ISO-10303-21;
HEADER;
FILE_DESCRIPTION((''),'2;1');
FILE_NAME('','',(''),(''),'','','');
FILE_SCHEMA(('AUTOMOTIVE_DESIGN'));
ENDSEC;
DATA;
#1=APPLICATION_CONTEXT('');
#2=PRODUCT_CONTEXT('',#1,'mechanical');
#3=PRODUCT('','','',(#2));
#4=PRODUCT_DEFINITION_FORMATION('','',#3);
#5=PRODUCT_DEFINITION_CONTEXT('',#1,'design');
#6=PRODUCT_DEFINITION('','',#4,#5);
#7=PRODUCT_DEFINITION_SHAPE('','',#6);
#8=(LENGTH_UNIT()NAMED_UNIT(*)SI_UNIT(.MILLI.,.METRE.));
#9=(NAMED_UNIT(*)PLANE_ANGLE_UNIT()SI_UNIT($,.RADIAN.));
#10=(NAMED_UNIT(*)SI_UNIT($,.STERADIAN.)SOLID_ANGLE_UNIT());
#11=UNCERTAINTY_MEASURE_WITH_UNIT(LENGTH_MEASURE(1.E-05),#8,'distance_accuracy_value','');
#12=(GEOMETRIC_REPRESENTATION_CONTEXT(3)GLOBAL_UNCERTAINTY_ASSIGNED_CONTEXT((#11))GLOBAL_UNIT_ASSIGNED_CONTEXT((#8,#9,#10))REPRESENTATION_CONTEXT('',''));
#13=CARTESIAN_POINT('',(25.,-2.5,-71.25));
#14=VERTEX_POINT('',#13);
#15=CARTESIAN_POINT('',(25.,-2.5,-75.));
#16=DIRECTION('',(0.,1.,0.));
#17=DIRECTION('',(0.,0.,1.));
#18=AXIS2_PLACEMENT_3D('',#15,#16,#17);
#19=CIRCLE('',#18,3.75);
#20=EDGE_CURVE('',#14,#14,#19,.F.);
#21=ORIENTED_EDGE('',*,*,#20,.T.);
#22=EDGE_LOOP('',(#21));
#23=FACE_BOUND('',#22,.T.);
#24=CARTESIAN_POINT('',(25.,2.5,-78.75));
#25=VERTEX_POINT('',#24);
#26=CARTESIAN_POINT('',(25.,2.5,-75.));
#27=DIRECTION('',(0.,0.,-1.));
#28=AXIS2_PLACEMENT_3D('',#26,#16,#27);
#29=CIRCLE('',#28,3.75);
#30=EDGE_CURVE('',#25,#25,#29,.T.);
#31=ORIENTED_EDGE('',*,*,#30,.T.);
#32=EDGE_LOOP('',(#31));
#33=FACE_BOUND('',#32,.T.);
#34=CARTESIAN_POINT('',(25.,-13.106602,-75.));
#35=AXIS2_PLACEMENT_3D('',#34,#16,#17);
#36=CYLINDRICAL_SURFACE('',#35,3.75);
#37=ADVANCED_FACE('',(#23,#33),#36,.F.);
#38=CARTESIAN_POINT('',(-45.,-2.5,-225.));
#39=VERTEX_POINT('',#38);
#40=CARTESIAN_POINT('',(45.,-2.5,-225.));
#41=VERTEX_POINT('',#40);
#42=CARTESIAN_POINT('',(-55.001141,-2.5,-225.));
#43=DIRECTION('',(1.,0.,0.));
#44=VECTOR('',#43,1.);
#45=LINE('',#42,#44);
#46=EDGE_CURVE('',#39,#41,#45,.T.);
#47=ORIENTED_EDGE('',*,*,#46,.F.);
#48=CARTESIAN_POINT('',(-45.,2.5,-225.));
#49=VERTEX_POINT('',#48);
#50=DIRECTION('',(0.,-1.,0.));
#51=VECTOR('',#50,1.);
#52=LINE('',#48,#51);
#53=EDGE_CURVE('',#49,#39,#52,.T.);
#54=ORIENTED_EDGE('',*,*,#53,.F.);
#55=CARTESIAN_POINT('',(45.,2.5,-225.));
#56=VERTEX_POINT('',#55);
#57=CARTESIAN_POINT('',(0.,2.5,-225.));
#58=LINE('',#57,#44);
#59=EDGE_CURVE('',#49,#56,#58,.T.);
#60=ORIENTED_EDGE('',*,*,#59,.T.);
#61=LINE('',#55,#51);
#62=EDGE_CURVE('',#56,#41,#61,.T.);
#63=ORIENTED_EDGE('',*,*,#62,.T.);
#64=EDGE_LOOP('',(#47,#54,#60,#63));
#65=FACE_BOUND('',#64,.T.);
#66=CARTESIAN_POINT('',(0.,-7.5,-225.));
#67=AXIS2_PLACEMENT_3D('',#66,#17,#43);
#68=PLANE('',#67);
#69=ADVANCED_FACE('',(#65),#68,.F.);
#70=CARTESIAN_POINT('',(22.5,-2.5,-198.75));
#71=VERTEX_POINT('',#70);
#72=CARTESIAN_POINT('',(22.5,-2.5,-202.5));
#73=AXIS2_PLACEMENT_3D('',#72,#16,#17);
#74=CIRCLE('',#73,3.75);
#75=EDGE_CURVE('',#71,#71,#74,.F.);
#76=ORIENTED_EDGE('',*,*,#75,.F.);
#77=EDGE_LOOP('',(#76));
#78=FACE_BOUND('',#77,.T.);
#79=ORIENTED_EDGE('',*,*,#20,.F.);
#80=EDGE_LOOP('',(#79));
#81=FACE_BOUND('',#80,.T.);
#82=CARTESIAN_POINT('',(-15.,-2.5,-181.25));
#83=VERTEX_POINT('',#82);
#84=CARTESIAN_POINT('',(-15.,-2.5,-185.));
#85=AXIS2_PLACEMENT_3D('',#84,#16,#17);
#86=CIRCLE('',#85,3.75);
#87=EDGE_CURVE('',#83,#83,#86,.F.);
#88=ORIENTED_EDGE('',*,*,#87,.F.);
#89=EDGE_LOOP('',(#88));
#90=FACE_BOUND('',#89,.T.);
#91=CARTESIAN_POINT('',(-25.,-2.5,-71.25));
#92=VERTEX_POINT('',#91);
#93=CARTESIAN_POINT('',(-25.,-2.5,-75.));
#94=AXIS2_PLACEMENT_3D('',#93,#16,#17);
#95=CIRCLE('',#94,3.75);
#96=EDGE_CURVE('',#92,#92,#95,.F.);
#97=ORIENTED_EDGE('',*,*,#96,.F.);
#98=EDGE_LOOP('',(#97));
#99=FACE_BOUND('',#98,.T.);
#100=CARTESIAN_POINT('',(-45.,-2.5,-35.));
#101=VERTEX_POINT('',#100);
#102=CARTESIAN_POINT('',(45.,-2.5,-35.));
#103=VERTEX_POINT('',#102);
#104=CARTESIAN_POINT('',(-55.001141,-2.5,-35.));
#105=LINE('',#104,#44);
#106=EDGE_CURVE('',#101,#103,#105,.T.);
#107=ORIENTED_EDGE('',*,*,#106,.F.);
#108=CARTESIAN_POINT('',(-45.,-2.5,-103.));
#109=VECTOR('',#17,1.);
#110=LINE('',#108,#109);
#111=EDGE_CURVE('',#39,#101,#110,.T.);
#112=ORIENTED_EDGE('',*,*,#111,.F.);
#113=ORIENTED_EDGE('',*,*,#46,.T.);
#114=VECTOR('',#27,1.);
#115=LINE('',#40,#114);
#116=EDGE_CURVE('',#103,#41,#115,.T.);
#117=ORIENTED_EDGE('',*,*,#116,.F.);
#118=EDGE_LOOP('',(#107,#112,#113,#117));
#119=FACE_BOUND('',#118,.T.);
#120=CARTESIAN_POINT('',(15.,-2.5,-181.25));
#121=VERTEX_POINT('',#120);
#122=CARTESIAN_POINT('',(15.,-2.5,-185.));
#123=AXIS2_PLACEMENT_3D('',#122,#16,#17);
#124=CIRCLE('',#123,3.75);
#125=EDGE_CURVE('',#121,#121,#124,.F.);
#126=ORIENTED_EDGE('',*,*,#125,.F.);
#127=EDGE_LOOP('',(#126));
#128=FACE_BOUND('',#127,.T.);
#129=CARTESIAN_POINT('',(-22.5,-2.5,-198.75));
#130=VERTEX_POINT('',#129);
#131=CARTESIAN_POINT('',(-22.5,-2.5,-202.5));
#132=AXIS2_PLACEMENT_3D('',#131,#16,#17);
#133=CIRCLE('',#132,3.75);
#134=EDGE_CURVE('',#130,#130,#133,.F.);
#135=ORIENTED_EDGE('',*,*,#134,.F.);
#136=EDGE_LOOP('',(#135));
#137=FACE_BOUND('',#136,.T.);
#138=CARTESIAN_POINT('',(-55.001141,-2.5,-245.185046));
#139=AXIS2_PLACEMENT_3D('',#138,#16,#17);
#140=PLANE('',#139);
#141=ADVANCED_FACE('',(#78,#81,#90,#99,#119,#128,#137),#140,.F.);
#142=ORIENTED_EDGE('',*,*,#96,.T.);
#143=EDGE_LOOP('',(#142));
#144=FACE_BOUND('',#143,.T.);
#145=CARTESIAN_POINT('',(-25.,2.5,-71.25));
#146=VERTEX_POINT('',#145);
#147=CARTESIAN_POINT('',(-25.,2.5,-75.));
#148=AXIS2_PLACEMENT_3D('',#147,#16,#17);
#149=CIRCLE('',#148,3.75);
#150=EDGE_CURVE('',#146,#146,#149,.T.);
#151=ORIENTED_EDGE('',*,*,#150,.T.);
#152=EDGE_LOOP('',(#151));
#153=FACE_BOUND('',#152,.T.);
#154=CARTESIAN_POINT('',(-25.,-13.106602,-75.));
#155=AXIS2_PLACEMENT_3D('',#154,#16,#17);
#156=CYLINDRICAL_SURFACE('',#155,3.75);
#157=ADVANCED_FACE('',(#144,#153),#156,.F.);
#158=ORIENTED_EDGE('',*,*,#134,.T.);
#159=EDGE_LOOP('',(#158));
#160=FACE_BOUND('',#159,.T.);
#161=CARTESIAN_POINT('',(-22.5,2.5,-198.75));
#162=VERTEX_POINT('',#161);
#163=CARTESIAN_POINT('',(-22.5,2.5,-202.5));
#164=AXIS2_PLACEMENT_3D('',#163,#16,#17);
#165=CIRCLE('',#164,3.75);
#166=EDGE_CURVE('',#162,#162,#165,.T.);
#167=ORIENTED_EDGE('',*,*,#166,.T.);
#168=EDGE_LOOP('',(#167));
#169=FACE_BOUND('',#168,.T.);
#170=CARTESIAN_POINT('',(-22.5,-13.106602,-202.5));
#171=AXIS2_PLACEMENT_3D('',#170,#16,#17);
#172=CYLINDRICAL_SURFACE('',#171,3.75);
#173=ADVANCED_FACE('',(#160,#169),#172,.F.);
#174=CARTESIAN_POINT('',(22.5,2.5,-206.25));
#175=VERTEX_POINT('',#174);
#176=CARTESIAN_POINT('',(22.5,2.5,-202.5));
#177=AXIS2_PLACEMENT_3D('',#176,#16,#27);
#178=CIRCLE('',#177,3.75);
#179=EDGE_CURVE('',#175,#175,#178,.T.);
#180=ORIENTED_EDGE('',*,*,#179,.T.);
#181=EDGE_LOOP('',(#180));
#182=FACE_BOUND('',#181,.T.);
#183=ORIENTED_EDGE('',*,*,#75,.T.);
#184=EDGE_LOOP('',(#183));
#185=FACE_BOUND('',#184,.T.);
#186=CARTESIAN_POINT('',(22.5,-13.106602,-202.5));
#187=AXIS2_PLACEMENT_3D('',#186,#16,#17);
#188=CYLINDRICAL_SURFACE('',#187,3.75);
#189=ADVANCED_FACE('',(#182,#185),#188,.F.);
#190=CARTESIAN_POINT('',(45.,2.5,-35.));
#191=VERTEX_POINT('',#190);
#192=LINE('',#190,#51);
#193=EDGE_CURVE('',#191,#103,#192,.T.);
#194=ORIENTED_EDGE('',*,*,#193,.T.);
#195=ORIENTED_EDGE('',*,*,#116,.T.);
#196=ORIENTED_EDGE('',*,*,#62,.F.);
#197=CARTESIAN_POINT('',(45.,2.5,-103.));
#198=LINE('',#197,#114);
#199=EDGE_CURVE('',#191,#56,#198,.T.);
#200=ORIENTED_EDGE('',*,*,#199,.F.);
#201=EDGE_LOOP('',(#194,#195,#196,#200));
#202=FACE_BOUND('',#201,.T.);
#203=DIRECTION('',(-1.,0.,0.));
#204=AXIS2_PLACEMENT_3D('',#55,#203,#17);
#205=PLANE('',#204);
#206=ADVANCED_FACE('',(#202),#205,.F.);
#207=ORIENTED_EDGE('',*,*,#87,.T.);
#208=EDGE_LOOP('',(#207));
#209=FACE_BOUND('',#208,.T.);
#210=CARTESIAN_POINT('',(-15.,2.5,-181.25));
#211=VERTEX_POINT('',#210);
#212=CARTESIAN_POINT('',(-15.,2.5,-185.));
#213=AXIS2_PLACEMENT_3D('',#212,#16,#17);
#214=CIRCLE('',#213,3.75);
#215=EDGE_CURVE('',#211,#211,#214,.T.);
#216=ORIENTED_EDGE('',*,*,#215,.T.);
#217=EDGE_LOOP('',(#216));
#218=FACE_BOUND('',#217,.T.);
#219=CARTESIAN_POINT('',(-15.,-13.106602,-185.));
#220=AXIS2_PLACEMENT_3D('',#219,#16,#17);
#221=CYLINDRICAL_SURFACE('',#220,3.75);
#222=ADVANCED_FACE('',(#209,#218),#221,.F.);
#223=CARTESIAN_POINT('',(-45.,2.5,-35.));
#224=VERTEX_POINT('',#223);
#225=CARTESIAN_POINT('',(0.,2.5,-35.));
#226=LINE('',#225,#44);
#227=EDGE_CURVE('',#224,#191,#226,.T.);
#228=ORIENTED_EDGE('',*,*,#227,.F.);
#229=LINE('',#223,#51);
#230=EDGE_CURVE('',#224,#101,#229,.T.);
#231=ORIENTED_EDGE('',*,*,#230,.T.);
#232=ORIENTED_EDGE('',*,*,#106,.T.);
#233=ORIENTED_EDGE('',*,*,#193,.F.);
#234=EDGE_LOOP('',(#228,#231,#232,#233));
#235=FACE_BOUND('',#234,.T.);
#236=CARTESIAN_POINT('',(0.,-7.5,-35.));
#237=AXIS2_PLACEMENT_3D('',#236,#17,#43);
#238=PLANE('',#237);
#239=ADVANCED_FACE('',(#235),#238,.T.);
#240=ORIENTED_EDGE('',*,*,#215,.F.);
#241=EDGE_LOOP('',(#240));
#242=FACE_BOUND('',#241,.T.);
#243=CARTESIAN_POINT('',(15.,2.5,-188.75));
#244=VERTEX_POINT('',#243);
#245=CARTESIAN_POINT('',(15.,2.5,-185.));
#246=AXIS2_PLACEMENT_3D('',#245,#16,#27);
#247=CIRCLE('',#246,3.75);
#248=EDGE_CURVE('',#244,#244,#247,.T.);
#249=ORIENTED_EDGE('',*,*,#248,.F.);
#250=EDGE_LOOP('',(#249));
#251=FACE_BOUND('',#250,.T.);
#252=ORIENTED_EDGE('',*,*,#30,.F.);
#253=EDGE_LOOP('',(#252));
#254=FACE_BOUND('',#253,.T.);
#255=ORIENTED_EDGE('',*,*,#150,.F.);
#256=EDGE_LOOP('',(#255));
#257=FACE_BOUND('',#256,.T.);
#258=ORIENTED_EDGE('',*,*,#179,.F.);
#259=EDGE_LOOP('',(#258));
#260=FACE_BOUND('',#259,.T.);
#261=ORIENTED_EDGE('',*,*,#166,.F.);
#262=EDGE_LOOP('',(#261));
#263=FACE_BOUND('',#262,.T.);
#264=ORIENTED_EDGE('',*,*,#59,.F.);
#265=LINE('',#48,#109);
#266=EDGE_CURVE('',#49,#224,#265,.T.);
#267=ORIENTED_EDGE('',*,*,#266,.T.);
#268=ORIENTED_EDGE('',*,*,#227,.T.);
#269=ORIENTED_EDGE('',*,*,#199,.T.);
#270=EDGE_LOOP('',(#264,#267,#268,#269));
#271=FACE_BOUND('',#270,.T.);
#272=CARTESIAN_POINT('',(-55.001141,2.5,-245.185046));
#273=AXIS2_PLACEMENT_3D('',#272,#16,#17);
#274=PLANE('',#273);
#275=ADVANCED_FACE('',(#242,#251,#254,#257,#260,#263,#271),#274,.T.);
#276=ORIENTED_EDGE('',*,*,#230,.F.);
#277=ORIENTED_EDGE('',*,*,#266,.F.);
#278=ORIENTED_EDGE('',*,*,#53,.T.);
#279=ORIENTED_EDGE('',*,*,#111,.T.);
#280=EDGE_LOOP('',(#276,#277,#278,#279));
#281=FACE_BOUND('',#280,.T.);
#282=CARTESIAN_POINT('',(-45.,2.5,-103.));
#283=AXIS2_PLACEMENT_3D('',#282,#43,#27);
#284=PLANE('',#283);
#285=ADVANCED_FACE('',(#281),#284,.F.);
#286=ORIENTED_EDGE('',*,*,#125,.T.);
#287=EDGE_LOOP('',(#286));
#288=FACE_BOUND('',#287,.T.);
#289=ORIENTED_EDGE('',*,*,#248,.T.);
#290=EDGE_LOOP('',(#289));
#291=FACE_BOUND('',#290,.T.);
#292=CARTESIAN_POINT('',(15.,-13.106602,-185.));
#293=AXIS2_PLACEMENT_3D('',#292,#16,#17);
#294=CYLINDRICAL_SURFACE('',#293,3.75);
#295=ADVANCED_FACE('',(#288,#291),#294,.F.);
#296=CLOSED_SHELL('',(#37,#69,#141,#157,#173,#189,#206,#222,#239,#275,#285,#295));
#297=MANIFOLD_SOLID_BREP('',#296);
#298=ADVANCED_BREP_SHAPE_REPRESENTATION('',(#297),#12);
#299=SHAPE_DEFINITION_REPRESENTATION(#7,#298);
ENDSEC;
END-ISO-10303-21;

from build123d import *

# Parameters (mm, degrees)
BOSS_EXTRUDE2_DEPTH = 2.5
SKETCH5_R           = 3.75
CUT_EXTRUDE2_DEPTH  = 5
CUT_EXTRUDE3_DEPTH  = 10


with BuildPart() as part:
    # Sketch3 → Boss-Extrude2 (new, symmetric)
    with BuildSketch(Plane(origin=(0, 0, 0), x_dir=(1, 0, 0), z_dir=(0, 1, 0))):
        with BuildLine():
            Line((70, 30), (70, 10))
            ThreePointArc((70, 10), (67.071067812, 2.928932188), (60, 0))
            Line((60, 0), (-60, 0))
            ThreePointArc((-60, 0), (-67.071067812, 2.928932188), (-70, 10))
            Line((-70, 10), (-70, 30))
            ThreePointArc((-70, 30), (-68.535533906, 33.535533906), (-65, 35))
            Line((-65, 35), (-45, 35))
            Line((-45, 35), (-45, 103))
            Line((-45, 103), (-60, 103))
            ThreePointArc((-60, 103), (-67.071067812, 105.928932188), (-70, 113))
            Line((-70, 113), (-70, 147))
            ThreePointArc((-70, 147), (-67.071067812, 154.071067812), (-60, 157))
            Line((-60, 157), (-45, 157))
            Line((-45, 157), (-45, 225))
            Line((-45, 225), (-65.064414928, 225))
            ThreePointArc((-65.064414928, 225), (-68.304785278, 226.192113447), (-70, 229.2))
            Line((-70, 229.2), (-70, 245))
            ThreePointArc((-70, 245), (-66.467868189, 254.855318839), (-57.35, 260))
            Line((-57.35, 260), (57.35, 260))
            ThreePointArc((57.35, 260), (66.467868189, 254.855318839), (70, 245))
            Line((70, 245), (70, 229.2))
            ThreePointArc((70, 229.2), (68.304785278, 226.192113447), (65.064414928, 225))
            Line((65.064414928, 225), (45, 225))
            Line((45, 225), (45, 157))
            Line((45, 157), (60, 157))
            ThreePointArc((60, 157), (67.071067812, 154.071067812), (70, 147))
            Line((70, 147), (70, 113))
            ThreePointArc((70, 113), (67.071067812, 105.928932188), (60, 103))
            Line((60, 103), (45, 103))
            Line((45, 103), (45, 35))
            Line((45, 35), (65, 35))
            ThreePointArc((65, 35), (68.535533906, 33.535533906), (70, 30))
        make_face()
    extrude(amount=BOSS_EXTRUDE2_DEPTH, both=True)

    # Sketch5 → Cut-Extrude2 (cut)
    with BuildSketch(Plane(origin=(0, 2.5, 0), x_dir=(1, 0, 0), z_dir=(0, 1, 0))):
        with Locations(Location((-25, 75, 0), (0, 0, 270))):
            Circle(SKETCH5_R)
        with Locations(Location((-22.5, 202.5, 0), (0, 0, 270))):
            Circle(SKETCH5_R)
        with Locations(Location((-15, 185, 0), (0, 0, 270))):
            Circle(SKETCH5_R)
        with Locations(Location((25, 75, 0), (0, 0, 270))):
            Circle(SKETCH5_R)
        with Locations(Location((15, 185, 0), (0, 0, 270))):
            Circle(SKETCH5_R)
        with Locations(Location((22.5, 202.5, 0), (0, 0, 270))):
            Circle(SKETCH5_R)
    extrude(amount=-CUT_EXTRUDE2_DEPTH, mode=Mode.SUBTRACT)

    # Sketch6 → Cut-Extrude3 (cut)
    with BuildSketch(Plane(origin=(0, 2.5, 0), x_dir=(1, 0, 0), z_dir=(0, 1, 0))):
        with BuildLine():
            Line((-45, 157), (-45, 103))
            Line((-45, 103), (-60, 103))
            ThreePointArc((-60, 103), (-67.071067812, 105.928932188), (-70, 113))
            Line((-70, 113), (-70, 147))
            ThreePointArc((-70, 147), (-67.071067812, 154.071067812), (-60, 157))
            Line((-60, 157), (-45, 157))
        make_face()
        with BuildLine():
            Line((-45, 35), (45, 35))
            Line((45, 35), (65, 35))
            ThreePointArc((65, 35), (68.535533906, 33.535533906), (70, 30))
            Line((70, 30), (70, 10))
            ThreePointArc((70, 10), (67.071067812, 2.928932188), (60, 0))
            Line((60, 0), (-60, 0))
            ThreePointArc((-60, 0), (-67.071067812, 2.928932188), (-70, 10))
            Line((-70, 10), (-70, 30))
            ThreePointArc((-70, 30), (-68.535533906, 33.535533906), (-65, 35))
            Line((-65, 35), (-45, 35))
        make_face()
        with BuildLine():
            Line((45, 157), (45, 103))
            Line((45, 103), (60, 103))
            ThreePointArc((60, 103), (67.071067812, 105.928932188), (70, 113))
            Line((70, 113), (70, 147))
            ThreePointArc((70, 147), (67.071067812, 154.071067812), (60, 157))
            Line((60, 157), (45, 157))
        make_face()
        with BuildLine():
            Line((-45, 225), (45, 225))
            Line((45, 225), (65.064414928, 225))
            ThreePointArc((65.064414928, 225), (68.304785278, 226.192113447), (70, 229.2))
            Line((70, 229.2), (70, 245))
            ThreePointArc((70, 245), (66.467868189, 254.855318839), (57.35, 260))
            Line((57.35, 260), (-57.35, 260))
            ThreePointArc((-57.35, 260), (-66.467868189, 254.855318839), (-70, 245))
            Line((-70, 245), (-70, 229.2))
            ThreePointArc((-70, 229.2), (-68.304785278, 226.192113447), (-65.064414928, 225))
            Line((-65.064414928, 225), (-45, 225))
        make_face()
    extrude(amount=-CUT_EXTRUDE3_DEPTH, mode=Mode.SUBTRACT)


solid = part.part
